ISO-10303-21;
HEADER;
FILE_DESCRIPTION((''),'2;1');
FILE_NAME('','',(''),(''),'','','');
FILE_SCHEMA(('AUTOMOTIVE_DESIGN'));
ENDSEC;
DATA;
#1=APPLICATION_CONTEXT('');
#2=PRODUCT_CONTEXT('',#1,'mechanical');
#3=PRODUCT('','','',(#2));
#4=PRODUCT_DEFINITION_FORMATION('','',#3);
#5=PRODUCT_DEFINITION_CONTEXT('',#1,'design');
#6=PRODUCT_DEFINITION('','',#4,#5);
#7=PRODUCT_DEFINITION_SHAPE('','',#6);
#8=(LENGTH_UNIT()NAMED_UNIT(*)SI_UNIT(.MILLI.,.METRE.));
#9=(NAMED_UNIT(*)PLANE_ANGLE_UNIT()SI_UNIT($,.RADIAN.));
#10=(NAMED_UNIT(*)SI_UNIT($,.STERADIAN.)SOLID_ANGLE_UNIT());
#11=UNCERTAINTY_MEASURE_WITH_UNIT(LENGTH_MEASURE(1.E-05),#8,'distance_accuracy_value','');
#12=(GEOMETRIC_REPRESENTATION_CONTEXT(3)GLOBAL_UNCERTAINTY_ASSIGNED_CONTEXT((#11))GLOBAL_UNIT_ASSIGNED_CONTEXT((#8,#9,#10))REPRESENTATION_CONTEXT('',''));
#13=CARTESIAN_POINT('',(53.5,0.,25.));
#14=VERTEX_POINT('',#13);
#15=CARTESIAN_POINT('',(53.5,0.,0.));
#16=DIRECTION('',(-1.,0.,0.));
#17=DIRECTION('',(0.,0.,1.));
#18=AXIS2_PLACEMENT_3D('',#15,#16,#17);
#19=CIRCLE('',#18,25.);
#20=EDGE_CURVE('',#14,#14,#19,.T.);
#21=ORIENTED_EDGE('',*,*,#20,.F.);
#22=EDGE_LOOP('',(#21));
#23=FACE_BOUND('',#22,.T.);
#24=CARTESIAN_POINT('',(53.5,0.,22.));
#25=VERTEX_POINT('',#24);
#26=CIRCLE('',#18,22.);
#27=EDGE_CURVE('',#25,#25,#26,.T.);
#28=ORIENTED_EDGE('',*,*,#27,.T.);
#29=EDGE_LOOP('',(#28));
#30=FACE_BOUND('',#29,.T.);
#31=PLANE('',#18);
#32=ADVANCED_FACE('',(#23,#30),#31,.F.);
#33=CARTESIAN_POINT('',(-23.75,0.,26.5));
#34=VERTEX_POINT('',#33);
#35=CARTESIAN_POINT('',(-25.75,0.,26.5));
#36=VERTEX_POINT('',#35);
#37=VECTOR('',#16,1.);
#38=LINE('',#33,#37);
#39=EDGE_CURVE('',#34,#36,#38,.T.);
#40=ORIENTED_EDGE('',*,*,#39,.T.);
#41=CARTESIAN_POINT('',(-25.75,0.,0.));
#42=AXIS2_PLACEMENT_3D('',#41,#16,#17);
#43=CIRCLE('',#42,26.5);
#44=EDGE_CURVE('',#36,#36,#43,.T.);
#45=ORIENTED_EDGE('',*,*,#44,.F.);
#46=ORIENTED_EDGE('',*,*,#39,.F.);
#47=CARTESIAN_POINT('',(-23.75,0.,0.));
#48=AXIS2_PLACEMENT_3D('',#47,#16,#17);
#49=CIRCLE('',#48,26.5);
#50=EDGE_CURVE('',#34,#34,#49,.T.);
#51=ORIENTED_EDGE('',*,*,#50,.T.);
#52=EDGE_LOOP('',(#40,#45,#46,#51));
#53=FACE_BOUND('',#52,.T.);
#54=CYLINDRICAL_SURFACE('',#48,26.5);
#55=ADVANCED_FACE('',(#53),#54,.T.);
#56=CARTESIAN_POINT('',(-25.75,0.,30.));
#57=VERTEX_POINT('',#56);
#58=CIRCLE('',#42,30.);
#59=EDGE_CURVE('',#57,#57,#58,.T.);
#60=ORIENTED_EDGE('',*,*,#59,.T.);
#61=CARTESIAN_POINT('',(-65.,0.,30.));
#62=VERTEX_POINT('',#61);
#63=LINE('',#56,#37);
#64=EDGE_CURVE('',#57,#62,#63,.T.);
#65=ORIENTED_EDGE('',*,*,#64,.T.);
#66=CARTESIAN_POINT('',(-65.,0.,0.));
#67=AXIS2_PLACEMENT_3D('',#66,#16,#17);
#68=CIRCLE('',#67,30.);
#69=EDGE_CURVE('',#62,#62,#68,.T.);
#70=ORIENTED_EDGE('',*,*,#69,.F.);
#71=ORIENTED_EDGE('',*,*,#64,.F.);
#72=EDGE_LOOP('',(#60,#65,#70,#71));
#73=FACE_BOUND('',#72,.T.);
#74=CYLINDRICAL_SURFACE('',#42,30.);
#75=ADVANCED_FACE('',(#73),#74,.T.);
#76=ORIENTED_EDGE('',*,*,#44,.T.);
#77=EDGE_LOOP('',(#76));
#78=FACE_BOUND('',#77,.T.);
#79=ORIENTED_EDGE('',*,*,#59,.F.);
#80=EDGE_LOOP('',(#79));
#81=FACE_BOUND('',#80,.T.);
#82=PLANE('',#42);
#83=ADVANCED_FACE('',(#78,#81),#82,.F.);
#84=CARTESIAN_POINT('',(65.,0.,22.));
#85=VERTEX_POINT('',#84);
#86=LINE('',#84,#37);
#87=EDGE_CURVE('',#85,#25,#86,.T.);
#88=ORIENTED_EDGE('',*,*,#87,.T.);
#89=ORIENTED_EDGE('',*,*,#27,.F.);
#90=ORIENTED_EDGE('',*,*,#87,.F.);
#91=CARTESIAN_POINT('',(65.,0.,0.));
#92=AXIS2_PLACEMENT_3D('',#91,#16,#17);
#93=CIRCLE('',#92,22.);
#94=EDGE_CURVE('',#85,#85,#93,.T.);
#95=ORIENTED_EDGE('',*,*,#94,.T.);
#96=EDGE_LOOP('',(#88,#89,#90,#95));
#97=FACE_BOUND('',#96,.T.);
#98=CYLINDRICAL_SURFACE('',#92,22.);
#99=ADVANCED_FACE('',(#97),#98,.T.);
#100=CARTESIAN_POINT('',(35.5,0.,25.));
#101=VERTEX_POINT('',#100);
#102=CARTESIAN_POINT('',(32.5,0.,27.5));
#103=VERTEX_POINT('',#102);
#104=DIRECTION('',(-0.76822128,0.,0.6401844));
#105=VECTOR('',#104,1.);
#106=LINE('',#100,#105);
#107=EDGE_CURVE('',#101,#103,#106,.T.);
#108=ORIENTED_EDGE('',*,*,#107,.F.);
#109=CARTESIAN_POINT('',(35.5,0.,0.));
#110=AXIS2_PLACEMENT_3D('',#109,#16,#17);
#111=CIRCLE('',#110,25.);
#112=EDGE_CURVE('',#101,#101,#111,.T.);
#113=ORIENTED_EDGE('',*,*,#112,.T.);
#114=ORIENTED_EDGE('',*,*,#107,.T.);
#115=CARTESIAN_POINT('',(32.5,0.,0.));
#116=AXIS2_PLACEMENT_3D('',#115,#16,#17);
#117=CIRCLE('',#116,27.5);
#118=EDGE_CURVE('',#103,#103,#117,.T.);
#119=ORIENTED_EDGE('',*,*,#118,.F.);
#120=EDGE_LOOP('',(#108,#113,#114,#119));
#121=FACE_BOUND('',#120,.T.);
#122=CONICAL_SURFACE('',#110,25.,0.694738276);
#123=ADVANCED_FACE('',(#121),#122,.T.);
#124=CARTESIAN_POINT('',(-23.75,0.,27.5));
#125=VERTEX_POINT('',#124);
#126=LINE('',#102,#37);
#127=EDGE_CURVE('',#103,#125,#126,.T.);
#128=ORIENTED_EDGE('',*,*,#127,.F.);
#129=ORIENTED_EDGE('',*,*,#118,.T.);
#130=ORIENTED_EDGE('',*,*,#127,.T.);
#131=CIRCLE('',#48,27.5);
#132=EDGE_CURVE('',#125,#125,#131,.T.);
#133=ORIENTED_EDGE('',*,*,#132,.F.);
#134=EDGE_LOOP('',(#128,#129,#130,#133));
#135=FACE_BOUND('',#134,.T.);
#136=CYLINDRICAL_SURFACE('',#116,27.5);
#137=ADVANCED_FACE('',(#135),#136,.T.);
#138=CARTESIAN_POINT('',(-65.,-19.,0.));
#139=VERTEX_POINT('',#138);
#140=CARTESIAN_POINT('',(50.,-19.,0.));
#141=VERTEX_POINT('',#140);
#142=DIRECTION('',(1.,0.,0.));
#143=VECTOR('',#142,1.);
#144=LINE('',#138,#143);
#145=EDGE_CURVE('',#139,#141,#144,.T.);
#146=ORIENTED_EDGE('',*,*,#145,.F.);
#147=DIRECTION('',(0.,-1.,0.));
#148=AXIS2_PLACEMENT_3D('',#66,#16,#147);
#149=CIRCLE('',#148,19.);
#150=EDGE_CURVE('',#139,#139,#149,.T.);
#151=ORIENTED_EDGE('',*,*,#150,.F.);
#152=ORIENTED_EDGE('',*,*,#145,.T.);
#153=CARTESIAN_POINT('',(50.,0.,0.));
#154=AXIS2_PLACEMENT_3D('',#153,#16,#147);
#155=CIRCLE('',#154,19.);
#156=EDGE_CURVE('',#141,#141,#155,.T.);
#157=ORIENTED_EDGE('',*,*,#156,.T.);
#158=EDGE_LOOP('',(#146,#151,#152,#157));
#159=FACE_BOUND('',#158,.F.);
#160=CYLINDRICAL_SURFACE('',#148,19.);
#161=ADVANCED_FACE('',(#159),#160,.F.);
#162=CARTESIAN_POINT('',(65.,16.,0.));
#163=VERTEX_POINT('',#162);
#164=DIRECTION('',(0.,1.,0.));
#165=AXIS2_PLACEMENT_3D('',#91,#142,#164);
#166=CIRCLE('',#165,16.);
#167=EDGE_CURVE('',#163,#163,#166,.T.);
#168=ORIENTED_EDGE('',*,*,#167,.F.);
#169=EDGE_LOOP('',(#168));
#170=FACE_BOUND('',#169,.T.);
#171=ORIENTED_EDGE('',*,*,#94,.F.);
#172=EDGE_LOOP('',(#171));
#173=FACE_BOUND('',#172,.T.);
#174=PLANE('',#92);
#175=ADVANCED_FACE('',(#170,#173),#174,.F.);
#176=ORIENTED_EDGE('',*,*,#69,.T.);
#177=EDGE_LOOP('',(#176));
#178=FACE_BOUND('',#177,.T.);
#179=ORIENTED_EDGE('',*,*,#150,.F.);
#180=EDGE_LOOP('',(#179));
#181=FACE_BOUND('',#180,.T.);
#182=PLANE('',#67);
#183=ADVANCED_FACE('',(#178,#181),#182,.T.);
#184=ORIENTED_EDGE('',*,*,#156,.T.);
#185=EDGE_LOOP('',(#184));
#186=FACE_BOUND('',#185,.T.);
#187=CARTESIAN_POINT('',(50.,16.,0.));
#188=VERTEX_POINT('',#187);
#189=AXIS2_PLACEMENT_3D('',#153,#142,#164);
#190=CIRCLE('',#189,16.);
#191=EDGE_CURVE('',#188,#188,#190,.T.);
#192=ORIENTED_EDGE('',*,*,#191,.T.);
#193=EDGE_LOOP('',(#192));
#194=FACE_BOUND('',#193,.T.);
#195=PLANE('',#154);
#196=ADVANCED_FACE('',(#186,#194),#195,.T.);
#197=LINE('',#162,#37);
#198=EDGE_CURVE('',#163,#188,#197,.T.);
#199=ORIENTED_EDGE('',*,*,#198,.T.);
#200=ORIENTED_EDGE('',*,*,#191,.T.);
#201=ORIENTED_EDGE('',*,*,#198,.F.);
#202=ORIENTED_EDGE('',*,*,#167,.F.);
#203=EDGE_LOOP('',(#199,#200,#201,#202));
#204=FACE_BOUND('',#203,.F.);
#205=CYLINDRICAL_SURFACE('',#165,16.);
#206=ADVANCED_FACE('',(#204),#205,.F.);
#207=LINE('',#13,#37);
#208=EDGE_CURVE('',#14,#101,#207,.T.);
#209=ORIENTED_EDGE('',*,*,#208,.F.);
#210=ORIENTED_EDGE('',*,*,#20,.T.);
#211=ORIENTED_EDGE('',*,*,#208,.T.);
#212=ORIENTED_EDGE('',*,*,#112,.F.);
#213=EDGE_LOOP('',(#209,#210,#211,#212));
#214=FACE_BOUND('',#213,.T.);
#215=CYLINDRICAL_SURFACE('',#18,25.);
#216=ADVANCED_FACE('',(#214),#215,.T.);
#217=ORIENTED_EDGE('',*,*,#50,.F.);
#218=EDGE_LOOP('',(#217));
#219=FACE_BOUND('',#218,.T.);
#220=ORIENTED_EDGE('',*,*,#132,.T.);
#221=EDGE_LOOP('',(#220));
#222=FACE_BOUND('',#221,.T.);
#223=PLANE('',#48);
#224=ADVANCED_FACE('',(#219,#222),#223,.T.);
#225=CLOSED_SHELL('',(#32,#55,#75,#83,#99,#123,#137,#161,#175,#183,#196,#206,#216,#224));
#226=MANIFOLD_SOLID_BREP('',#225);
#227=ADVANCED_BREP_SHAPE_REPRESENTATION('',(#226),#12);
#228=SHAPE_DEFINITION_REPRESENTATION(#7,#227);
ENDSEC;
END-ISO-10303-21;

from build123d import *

# Parameters (mm, degrees)
F2_R     = 16
F3_DEPTH = 130
F4_R     = 19
F5_DEPTH = 115


with BuildPart() as f1:
    # F0 (on Front) → F1 (revolve)
    with BuildSketch(Plane.XZ):
        Polygon((-65, 30), (-65, 0), (65, 0), (65, 22), (53.5, 22), (53.5, 25), (35.5, 25), (32.5, 27.5), (-23.75, 27.5), (-23.75, 26.5), (-25.75, 26.5), (-25.75, 30), align=None)
    revolve(axis=Axis((0, 0, 0), (-1, 0, 0)))

    # F2 (on face) → F3 (cut, through all)
    with BuildSketch(Plane.YZ.offset(65)):
        Circle(F2_R)
    extrude(amount=-F3_DEPTH, mode=Mode.SUBTRACT)

    # F4 (on face) → F5 (cut)
    with BuildSketch(Plane(origin=(-65, 0, 0), x_dir=(0, -1, 0), z_dir=(-1, 0, 0))):
        Circle(F4_R)
    extrude(amount=-F5_DEPTH, mode=Mode.SUBTRACT)


solid = f1.part
